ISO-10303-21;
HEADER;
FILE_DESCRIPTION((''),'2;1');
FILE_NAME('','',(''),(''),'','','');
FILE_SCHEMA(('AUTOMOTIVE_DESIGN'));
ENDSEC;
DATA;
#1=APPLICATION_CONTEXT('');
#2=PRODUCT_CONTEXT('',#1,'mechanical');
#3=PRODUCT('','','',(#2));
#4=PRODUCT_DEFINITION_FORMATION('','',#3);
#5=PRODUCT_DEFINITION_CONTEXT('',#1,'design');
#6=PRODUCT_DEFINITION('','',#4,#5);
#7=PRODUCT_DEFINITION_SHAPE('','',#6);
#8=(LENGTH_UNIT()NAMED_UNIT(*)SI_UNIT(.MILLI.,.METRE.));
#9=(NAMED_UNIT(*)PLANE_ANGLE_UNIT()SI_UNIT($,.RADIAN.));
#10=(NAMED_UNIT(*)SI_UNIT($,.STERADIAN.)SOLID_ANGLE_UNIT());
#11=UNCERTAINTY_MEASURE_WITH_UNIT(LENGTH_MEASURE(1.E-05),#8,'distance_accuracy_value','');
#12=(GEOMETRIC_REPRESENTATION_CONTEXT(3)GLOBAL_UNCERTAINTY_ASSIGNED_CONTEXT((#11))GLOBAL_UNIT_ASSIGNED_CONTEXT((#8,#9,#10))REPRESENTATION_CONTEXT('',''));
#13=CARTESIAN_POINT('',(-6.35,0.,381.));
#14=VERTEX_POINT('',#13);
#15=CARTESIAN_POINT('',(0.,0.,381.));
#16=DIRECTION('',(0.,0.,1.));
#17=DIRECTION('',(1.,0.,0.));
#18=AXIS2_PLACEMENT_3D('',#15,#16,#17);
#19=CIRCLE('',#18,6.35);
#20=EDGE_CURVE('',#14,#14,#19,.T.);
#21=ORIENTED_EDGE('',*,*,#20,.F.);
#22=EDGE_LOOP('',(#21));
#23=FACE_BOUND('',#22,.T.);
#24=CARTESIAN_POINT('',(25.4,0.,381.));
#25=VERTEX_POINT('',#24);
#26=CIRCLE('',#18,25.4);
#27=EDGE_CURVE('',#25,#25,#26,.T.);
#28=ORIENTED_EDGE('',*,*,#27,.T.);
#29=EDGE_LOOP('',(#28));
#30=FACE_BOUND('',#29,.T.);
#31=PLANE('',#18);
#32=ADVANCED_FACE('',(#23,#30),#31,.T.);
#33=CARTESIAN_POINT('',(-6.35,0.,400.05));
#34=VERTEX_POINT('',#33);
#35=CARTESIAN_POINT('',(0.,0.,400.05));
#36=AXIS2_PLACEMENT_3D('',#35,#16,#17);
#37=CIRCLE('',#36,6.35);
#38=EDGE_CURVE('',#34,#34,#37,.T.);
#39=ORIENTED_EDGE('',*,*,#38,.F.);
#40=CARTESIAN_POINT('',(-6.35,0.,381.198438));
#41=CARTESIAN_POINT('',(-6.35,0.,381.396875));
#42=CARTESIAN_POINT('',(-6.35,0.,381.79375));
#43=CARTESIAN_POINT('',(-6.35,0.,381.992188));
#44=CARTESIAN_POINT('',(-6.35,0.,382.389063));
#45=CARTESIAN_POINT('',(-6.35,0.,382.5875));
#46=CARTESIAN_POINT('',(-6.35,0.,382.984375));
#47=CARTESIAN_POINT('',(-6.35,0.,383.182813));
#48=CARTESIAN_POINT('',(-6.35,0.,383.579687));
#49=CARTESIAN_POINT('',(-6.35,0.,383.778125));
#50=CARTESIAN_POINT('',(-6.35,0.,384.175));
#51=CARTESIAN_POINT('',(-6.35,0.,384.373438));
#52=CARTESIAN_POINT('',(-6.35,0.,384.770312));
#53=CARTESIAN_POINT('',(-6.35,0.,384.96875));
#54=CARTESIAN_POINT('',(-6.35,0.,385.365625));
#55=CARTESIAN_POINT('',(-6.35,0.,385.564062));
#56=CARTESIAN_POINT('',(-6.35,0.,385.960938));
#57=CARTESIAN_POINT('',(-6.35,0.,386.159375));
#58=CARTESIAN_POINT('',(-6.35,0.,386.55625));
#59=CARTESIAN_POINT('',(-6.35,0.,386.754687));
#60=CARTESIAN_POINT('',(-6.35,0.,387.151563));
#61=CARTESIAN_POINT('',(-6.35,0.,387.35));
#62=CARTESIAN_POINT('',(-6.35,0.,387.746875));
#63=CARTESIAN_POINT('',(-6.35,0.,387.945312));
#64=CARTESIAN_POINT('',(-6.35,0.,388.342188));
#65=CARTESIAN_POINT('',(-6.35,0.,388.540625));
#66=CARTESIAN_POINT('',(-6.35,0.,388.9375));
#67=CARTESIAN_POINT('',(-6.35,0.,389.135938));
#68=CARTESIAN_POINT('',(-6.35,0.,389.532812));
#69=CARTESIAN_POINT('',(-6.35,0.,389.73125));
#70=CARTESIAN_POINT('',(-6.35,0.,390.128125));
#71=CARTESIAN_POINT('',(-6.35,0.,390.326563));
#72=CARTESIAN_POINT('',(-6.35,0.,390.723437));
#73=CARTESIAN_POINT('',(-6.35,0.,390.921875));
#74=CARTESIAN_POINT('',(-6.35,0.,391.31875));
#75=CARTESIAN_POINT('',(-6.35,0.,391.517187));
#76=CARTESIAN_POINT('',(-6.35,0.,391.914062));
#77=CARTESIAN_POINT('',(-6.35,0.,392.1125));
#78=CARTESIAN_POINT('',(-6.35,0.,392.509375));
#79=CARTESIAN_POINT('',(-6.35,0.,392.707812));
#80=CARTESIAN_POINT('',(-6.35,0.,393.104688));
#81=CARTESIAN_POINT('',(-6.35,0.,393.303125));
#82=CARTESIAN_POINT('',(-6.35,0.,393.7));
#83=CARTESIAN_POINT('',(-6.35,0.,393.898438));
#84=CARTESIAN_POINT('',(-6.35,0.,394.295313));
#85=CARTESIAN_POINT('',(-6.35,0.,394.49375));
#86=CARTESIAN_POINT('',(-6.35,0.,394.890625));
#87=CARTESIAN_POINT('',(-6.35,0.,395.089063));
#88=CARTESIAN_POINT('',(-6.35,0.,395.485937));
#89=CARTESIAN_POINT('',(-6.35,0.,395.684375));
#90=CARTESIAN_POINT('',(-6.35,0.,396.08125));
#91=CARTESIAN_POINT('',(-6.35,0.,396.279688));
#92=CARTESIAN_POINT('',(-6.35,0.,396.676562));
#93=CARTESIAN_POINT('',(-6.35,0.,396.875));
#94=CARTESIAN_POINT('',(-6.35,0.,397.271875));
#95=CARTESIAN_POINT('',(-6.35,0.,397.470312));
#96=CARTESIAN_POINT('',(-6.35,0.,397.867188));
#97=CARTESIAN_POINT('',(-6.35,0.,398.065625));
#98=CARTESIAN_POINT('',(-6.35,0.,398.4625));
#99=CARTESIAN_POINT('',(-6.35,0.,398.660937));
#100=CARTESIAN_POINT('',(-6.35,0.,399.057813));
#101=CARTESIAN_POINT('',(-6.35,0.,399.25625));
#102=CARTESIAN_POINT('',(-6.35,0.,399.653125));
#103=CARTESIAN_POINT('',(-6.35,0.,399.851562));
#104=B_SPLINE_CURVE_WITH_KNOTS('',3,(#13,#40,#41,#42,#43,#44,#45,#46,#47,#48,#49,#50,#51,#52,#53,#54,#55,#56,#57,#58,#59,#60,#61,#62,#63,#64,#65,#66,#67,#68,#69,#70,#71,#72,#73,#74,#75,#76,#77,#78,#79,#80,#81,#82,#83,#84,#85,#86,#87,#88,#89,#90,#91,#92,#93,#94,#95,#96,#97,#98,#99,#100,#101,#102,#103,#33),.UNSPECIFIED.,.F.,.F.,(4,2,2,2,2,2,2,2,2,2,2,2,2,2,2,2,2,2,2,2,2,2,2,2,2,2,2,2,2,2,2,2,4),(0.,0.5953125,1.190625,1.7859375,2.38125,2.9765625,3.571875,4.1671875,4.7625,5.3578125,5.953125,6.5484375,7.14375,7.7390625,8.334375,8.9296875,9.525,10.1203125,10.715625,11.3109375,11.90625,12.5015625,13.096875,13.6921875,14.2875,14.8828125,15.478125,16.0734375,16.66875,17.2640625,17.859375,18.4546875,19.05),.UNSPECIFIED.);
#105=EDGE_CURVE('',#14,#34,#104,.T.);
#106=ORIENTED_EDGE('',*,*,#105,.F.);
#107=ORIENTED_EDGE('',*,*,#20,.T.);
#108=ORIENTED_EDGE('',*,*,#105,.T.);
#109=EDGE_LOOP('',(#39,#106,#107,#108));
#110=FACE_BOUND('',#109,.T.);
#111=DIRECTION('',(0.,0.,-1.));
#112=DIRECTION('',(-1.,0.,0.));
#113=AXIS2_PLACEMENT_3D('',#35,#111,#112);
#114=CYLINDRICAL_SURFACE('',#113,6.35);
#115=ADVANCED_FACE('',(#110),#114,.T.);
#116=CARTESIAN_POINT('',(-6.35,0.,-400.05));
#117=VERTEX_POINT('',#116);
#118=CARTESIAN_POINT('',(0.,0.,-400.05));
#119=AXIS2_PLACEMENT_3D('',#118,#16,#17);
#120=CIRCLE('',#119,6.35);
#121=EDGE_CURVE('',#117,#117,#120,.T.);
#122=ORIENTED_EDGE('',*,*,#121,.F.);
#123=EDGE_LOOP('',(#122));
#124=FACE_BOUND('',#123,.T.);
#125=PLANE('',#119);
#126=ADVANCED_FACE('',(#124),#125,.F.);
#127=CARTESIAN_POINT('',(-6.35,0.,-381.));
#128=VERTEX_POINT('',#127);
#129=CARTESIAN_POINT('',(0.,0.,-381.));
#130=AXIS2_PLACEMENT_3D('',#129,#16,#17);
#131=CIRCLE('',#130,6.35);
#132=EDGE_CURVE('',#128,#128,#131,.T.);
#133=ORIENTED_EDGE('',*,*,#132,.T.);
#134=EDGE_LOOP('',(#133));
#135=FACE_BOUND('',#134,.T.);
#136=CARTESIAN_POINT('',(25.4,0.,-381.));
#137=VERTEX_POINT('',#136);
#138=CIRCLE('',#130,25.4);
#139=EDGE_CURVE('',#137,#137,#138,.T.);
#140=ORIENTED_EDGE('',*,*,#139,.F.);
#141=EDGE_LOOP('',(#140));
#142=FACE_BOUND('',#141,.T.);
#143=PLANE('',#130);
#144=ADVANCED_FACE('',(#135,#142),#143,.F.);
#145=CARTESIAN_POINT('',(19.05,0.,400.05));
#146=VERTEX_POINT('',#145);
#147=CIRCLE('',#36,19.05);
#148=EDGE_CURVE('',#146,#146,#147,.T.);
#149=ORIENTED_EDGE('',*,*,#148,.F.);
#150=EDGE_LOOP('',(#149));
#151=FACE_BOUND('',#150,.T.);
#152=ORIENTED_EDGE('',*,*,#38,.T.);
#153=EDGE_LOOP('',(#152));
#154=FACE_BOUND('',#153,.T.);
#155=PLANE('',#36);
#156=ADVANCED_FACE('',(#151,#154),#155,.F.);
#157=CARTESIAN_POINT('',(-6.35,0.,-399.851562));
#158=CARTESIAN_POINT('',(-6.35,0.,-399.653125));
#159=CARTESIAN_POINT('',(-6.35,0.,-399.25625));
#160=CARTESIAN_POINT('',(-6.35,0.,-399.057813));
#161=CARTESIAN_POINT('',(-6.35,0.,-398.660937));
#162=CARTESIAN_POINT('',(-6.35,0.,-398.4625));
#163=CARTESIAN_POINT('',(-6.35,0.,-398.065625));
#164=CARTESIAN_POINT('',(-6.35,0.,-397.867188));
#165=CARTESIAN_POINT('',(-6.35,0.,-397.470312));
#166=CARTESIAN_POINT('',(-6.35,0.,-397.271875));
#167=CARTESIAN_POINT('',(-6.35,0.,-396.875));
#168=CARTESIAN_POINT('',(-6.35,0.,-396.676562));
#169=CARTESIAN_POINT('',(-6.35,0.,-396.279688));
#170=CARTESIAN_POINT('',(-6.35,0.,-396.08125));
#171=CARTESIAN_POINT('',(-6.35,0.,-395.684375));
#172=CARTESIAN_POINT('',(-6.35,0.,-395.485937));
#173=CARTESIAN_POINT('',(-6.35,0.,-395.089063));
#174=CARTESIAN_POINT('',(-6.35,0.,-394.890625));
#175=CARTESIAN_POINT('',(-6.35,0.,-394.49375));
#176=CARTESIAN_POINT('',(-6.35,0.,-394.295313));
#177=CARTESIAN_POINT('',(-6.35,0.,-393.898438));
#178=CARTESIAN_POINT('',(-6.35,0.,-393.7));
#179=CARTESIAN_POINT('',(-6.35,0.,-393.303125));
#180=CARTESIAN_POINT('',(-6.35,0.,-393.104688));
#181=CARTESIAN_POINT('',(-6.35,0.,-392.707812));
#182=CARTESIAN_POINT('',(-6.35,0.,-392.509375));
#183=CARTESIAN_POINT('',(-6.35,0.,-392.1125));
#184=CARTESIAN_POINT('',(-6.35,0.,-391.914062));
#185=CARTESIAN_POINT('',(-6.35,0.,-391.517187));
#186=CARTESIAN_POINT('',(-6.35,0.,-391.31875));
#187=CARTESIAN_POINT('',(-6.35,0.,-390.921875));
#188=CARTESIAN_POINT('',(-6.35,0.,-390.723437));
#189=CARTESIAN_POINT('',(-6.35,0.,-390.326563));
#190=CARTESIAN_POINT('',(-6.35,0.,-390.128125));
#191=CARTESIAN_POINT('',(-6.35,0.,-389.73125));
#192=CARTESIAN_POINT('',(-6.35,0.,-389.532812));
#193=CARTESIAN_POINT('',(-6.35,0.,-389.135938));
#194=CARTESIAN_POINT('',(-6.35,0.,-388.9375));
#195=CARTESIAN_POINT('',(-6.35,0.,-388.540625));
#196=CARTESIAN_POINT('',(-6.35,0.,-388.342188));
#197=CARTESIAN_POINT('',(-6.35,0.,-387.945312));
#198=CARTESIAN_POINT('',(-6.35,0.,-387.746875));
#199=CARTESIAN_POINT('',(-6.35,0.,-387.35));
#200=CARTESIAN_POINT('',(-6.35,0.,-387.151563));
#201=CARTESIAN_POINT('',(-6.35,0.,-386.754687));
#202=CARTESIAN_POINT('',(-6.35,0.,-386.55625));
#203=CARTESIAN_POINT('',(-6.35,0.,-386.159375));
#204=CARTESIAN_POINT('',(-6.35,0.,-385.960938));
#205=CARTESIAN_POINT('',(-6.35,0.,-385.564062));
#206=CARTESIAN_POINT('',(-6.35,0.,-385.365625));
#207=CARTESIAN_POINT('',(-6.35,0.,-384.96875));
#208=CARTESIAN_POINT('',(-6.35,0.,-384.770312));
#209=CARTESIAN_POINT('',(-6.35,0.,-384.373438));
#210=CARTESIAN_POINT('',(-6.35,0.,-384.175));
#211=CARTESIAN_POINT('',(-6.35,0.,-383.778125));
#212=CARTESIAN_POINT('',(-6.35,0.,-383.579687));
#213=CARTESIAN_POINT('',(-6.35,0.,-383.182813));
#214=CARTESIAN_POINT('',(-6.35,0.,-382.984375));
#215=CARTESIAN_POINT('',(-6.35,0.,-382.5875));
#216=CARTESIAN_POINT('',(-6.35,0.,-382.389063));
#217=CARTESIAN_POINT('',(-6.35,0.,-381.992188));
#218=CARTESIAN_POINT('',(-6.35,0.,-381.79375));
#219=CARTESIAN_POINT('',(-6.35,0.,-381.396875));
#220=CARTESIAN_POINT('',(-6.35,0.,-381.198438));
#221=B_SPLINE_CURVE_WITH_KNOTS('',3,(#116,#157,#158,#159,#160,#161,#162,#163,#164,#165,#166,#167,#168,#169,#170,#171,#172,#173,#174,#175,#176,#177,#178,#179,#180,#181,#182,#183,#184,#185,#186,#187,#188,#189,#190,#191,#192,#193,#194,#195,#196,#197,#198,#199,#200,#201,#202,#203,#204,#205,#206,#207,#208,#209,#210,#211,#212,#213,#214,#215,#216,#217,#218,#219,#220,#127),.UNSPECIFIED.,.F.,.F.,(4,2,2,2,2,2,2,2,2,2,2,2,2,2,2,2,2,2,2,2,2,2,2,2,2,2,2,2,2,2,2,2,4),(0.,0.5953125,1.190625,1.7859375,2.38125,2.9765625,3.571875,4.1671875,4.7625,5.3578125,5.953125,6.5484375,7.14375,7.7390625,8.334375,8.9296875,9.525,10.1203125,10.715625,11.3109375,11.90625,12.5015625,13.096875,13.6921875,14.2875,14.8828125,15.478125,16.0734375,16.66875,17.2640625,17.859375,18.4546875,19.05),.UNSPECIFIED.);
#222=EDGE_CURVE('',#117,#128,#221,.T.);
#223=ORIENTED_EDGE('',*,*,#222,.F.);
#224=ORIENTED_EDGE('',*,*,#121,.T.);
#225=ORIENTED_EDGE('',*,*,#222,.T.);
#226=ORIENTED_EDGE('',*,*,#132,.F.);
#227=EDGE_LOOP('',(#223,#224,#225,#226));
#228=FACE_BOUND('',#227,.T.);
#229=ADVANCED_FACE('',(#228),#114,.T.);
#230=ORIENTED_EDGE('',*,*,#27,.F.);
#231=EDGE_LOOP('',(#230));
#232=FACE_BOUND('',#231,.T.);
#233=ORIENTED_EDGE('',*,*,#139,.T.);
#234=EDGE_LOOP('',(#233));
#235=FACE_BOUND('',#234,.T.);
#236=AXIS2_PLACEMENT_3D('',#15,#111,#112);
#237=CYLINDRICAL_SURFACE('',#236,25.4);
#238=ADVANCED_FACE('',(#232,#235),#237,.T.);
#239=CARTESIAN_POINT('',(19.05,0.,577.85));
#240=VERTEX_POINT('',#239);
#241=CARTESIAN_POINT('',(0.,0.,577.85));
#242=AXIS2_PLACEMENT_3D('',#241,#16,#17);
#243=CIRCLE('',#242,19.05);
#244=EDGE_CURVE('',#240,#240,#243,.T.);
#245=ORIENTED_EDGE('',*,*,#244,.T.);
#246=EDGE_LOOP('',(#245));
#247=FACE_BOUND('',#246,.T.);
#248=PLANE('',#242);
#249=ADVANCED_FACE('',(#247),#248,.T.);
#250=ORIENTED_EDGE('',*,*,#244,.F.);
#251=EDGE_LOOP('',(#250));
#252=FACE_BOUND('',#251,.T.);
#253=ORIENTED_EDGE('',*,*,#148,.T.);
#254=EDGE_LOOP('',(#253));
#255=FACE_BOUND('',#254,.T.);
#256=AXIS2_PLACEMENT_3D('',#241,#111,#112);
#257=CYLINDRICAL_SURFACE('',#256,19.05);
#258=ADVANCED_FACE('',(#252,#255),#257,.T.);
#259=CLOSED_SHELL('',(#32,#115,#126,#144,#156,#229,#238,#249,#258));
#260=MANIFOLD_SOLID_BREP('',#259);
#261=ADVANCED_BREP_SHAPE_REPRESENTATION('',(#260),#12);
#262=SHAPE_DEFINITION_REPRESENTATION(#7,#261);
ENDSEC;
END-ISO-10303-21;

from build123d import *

# Parameters (mm, degrees)
SKETCH1_R           = 6.35
BOSS_EXTRUDE1_DEPTH = 400.05
SKETCH1_3_R         = 25.4
SKETCH1_3_R_2       = 6.35
BOSS_EXTRUDE2_DEPTH = 381
BOSS_EXTRUDE3_START = 19.05
SKETCH3_R           = 19.05
BOSS_EXTRUDE3_DEPTH = 177.8


with BuildPart() as part:
    # Sketch1 → Boss-Extrude1 (new, symmetric)
    with BuildSketch(Plane.XY):
        Circle(SKETCH1_R)
    extrude(amount=BOSS_EXTRUDE1_DEPTH, both=True)

    # Sketch1<3> → Boss-Extrude2 (add, symmetric)
    with BuildSketch(Plane.XY):
        Circle(SKETCH1_3_R)
        Circle(SKETCH1_3_R_2, mode=Mode.SUBTRACT)
    extrude(amount=BOSS_EXTRUDE2_DEPTH, both=True)

    # Sketch3 → Boss-Extrude3 (add)
    with BuildSketch(Plane.XY.offset(381).offset(BOSS_EXTRUDE3_START)):
        Circle(SKETCH3_R)
    extrude(amount=BOSS_EXTRUDE3_DEPTH)


solid = part.part
